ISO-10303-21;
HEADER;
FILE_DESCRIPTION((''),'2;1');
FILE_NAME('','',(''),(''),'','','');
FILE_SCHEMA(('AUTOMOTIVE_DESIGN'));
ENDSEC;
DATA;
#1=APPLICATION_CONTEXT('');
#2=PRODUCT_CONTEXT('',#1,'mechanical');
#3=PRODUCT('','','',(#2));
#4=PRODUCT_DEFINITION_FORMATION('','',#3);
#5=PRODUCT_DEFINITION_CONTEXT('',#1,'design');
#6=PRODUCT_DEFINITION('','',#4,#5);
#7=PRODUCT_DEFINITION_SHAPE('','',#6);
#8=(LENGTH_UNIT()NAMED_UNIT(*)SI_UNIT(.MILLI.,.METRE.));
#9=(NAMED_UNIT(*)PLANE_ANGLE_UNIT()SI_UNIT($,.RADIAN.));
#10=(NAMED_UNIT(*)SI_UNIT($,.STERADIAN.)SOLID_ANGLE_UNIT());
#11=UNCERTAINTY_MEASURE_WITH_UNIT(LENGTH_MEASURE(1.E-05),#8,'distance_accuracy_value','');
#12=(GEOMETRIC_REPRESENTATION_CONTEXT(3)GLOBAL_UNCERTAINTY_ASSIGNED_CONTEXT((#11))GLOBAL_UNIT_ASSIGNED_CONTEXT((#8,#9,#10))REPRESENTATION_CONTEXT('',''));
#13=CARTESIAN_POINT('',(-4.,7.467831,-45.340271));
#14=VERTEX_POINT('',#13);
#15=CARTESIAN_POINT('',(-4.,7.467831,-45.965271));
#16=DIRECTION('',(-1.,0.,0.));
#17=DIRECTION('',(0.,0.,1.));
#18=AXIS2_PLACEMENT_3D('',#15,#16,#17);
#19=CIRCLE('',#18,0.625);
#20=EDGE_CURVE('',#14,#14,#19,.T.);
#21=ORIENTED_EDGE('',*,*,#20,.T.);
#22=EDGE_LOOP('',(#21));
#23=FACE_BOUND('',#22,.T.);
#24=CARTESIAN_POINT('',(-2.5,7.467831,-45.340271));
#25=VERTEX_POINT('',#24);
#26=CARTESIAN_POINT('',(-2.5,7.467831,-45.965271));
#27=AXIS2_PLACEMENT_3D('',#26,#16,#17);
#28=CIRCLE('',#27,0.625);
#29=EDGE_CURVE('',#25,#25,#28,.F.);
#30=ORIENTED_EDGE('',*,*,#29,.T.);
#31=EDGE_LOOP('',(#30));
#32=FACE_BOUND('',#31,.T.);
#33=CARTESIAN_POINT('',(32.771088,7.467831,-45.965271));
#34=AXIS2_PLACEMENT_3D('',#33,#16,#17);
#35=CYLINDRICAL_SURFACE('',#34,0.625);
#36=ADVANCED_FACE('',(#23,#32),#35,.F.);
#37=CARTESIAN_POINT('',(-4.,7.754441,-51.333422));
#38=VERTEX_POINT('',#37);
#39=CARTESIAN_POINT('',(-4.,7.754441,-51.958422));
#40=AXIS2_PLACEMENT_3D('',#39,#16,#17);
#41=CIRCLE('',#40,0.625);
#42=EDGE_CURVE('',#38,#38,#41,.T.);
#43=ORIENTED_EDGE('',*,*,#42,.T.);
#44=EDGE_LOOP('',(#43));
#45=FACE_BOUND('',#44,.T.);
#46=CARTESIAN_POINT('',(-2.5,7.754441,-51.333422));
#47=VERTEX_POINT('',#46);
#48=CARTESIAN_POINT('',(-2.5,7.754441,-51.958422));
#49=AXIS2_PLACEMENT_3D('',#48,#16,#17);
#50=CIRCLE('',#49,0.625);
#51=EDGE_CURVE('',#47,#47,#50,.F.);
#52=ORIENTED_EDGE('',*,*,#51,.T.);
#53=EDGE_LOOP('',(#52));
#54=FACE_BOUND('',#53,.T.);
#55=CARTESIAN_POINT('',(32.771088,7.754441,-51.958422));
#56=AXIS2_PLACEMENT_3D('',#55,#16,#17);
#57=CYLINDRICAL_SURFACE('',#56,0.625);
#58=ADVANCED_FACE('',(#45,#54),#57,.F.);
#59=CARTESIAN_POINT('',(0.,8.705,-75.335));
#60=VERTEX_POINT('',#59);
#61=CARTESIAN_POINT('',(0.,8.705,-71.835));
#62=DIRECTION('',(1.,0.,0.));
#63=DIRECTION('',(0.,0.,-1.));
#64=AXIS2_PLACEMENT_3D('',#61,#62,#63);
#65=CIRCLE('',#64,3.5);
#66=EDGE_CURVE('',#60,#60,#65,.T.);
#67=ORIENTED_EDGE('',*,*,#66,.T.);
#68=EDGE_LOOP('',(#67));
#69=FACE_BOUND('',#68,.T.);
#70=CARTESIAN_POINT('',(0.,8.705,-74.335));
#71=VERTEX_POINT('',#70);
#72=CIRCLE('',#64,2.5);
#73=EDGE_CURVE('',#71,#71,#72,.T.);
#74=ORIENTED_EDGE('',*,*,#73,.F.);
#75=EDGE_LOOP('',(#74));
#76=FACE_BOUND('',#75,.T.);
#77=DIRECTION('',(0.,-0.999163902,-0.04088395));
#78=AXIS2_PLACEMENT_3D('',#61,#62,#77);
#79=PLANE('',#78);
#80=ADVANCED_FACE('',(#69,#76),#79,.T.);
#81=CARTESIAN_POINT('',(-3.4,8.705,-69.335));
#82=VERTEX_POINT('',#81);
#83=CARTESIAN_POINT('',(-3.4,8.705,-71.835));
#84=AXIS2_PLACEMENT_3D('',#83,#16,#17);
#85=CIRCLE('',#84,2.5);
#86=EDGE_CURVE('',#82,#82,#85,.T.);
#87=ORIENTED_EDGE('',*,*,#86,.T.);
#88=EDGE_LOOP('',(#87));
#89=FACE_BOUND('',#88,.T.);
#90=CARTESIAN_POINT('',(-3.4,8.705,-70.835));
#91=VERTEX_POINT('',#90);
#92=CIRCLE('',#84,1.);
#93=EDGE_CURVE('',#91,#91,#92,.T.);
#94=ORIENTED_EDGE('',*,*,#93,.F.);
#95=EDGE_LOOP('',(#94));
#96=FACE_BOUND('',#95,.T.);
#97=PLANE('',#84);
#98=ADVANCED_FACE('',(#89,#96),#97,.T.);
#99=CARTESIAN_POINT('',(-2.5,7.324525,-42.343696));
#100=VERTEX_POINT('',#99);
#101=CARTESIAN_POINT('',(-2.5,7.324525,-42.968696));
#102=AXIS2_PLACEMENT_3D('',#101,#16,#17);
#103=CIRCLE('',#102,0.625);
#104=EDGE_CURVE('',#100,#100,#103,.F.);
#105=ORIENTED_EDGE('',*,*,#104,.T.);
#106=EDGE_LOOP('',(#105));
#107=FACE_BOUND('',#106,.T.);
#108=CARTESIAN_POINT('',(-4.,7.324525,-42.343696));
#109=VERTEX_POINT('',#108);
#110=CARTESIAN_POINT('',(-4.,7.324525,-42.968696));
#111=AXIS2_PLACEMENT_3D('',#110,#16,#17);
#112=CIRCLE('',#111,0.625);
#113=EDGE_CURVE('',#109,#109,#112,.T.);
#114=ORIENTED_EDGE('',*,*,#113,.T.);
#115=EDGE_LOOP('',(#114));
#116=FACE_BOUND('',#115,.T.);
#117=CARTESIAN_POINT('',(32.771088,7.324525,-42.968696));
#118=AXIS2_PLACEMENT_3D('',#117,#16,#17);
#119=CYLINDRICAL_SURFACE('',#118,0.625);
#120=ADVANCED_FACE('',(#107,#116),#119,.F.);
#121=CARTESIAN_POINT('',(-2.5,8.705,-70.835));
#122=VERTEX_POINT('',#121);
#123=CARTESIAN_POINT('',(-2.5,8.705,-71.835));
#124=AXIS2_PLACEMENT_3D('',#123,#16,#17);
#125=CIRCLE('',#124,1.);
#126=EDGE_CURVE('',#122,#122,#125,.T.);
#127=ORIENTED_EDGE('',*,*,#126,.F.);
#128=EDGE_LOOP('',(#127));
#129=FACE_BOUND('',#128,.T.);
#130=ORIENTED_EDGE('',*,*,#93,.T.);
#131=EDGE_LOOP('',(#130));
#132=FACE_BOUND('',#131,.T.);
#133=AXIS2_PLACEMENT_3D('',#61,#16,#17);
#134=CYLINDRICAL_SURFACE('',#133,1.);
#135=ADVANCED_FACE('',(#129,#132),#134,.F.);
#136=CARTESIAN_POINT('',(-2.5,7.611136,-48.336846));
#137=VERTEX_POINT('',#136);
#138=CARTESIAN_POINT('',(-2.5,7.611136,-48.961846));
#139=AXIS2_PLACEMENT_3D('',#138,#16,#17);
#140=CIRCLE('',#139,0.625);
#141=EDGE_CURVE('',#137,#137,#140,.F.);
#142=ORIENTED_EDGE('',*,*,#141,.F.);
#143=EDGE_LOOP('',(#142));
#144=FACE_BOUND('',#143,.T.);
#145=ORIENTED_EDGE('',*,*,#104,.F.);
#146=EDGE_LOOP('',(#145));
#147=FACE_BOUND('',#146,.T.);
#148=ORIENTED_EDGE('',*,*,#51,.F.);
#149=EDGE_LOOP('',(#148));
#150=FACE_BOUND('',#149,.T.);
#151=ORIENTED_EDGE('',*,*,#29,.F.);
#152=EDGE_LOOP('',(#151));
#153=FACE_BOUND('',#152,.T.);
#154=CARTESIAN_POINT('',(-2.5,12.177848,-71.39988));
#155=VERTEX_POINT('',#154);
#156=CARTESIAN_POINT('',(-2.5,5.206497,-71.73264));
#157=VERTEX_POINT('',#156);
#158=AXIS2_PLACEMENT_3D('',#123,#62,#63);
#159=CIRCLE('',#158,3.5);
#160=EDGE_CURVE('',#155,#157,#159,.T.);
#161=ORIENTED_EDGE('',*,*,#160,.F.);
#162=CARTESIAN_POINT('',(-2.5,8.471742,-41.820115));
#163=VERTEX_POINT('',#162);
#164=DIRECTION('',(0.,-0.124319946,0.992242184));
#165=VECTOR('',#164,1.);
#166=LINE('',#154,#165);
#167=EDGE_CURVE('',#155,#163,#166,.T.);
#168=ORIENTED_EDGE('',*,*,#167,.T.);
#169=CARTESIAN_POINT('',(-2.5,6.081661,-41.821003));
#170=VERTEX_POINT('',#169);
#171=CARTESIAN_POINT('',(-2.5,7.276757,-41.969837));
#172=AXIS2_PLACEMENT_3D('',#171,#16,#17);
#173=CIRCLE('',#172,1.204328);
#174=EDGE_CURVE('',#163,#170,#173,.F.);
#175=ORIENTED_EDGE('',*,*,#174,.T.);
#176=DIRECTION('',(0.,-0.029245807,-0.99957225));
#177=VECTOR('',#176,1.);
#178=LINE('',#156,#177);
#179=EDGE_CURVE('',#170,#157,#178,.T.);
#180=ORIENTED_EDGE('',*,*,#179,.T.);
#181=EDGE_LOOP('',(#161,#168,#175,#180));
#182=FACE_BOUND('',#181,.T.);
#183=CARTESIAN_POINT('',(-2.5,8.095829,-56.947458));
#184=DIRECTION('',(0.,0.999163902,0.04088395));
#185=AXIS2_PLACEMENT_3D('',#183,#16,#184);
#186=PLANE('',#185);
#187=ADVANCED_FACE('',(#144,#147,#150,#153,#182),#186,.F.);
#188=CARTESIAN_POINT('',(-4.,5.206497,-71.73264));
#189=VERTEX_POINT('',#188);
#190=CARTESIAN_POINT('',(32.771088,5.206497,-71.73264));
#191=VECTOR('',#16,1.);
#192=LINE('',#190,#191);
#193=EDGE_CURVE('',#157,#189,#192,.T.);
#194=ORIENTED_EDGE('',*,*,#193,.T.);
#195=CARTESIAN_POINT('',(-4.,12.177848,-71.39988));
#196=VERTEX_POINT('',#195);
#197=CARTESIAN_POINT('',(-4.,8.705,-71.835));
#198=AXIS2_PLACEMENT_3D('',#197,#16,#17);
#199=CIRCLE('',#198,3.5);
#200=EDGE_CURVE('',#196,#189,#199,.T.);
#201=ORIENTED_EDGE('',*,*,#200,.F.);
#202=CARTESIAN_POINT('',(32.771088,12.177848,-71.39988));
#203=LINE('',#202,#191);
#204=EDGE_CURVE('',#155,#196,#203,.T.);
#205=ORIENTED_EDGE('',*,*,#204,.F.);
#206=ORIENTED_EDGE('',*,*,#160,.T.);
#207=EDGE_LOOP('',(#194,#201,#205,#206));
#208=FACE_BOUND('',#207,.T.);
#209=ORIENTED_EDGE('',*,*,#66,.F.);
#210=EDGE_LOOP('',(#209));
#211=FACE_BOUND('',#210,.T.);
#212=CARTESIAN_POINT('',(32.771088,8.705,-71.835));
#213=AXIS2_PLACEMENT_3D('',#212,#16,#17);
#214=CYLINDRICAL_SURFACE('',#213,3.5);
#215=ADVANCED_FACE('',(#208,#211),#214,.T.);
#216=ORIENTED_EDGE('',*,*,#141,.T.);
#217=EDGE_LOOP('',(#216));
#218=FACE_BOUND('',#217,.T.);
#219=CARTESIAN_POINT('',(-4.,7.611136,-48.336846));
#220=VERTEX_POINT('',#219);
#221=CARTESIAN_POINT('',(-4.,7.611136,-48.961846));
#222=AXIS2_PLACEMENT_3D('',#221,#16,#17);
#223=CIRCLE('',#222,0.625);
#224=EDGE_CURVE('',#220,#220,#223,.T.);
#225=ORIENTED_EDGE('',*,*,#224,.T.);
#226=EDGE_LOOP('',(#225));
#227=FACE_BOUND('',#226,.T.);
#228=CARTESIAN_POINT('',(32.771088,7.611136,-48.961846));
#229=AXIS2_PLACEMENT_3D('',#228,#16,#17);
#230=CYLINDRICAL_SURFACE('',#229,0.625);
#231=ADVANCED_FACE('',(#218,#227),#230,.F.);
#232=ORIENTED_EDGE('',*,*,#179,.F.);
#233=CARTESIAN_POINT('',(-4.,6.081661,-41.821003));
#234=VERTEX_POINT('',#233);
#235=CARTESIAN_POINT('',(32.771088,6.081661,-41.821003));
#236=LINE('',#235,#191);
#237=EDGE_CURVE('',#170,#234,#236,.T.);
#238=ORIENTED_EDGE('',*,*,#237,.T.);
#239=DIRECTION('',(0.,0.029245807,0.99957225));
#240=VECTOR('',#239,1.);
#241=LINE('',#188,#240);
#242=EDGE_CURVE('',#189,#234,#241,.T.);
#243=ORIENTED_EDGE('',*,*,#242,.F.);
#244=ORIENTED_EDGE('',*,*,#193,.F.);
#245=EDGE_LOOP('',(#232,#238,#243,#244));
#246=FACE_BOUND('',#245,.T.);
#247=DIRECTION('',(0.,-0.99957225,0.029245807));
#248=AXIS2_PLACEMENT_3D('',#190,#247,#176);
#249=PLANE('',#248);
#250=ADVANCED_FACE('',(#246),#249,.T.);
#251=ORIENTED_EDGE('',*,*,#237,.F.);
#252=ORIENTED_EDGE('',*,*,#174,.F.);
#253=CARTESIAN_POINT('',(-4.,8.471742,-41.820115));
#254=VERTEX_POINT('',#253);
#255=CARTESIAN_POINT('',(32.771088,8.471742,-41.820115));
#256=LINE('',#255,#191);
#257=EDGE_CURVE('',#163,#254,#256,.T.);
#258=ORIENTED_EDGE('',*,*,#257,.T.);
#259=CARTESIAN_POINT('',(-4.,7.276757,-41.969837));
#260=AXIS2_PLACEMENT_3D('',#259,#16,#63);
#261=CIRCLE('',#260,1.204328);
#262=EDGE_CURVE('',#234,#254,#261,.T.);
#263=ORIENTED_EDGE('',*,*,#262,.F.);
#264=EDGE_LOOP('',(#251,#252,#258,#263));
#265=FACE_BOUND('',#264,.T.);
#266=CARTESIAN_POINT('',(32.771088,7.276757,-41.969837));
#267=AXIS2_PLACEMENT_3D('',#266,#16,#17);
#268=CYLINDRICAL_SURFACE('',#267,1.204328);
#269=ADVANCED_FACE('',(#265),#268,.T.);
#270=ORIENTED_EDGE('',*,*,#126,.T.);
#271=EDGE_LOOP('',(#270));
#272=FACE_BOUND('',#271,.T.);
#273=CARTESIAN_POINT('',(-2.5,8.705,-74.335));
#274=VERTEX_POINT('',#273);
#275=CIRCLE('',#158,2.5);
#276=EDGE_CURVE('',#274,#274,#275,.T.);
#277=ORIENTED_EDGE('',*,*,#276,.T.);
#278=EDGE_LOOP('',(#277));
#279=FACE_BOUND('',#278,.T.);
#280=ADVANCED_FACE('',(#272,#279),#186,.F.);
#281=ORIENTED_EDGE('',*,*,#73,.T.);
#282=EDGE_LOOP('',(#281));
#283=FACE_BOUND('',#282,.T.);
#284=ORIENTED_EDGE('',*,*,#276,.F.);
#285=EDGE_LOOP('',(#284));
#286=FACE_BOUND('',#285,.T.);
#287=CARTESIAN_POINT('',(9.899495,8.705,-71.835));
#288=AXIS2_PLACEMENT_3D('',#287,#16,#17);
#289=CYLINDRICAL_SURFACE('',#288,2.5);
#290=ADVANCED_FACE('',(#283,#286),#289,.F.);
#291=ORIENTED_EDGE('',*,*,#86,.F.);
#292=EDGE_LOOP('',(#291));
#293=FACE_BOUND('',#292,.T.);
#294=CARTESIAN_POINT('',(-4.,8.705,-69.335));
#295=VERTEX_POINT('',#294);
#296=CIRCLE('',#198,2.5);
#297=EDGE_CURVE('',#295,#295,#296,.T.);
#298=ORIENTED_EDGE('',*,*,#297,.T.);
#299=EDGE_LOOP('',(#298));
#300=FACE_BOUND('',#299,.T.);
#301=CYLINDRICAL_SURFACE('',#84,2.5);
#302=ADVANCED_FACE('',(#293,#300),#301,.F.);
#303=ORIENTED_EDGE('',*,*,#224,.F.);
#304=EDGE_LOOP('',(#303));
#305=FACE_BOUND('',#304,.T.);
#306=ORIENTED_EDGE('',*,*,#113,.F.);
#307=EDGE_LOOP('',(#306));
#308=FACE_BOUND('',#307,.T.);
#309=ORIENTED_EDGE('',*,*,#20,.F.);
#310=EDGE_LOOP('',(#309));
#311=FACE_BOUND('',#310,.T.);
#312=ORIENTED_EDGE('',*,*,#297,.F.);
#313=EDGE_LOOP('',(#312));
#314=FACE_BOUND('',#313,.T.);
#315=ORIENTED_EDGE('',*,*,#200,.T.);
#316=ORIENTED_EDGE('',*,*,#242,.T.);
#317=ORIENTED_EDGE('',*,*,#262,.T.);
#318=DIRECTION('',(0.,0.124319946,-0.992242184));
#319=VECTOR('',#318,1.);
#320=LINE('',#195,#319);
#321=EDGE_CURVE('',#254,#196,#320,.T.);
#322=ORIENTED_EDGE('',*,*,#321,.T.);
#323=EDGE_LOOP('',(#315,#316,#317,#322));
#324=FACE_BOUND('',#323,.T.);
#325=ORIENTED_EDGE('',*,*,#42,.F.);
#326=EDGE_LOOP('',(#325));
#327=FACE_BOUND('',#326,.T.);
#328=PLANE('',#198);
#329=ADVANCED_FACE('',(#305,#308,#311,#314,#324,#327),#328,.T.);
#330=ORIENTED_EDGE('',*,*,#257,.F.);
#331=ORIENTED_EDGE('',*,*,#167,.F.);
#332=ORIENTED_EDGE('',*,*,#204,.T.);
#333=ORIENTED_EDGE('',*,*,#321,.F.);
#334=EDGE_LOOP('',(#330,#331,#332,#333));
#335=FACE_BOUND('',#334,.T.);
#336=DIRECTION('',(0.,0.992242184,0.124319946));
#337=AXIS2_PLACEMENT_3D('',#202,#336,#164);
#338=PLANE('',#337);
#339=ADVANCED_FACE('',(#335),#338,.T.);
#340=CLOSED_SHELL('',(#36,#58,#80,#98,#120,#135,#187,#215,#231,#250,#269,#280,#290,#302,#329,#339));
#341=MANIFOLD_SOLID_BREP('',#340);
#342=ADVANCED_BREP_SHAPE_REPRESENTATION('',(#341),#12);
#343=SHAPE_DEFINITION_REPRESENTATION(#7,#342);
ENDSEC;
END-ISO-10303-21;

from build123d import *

# Parameters (mm, degrees)
BASE_SKETCH_R            = 0.625
BASE_EXTRUDE_DEPTH       = 1.5
CIRCLE_SKETCH_R          = 3.5
CIRCLE_SKETCH_R_2        = 2.5
CIRCLE_EXTRUDE_DEPTH     = 2.5
SCREW_CIRCLE1_SKETCH_R   = 2.5
SCREW_CIRCLE_1_CUT_DEPTH = 0.6
SCREW_CIRCLE2_SKETCH_R   = 1
SCREW_CIRCLE_CUT_DEPTH   = 77.422014171


with BuildPart() as part:
    # Base Sketch → Base Extrude (new body)
    with BuildSketch(Plane.ZY.offset(4)):
        with BuildLine():
            Line((-71.399880191, 12.177847643), (-41.820115259, 8.471741587))
            ThreePointArc((-41.820115259, 8.471741587), (-40.765509681, 7.276309847), (-41.821002543, 6.081661451))
            Line((-41.821002543, 6.081661451), (-71.732639675, 5.206497125))
            ThreePointArc((-71.732639675, 5.206497125), (-75.331019627, 8.871873504), (-71.399880191, 12.177847643))
        make_face()
        with Locations((-45.965270944, 7.46783075)):
            Circle(BASE_SKETCH_R, mode=Mode.SUBTRACT)
        with Locations((-48.961846252, 7.611136109)):
            Circle(BASE_SKETCH_R, mode=Mode.SUBTRACT)
        with Locations((-51.958421559, 7.754441469)):
            Circle(BASE_SKETCH_R, mode=Mode.SUBTRACT)
        with Locations((-42.968695636, 7.32452539)):
            Circle(BASE_SKETCH_R, mode=Mode.SUBTRACT)
    extrude(amount=-BASE_EXTRUDE_DEPTH)

    # Circle Sketch → Circle Extrude (add)
    with BuildSketch(Plane(origin=(-2.5, 0, 0), x_dir=(0, 0, -1), z_dir=(1, 0, 0))):
        with Locations(Location((71.835, 8.705, 0), (0, 0, 97.141485201))):
            Circle(CIRCLE_SKETCH_R)
        with Locations((71.835, 8.705)):
            Circle(CIRCLE_SKETCH_R_2, mode=Mode.SUBTRACT)
    extrude(amount=CIRCLE_EXTRUDE_DEPTH)

    # Screw Circle1 Sketch → Screw Circle 1 Cut (cut)
    with BuildSketch(Plane.ZY.offset(4)):
        with Locations(Location((-71.835, 8.705, 0), (0, 0, 180))):
            Circle(SCREW_CIRCLE1_SKETCH_R)
    extrude(amount=-SCREW_CIRCLE_1_CUT_DEPTH, mode=Mode.SUBTRACT)

    # Screw Circle2 Sketch → Screw Circle Cut (cut, through all)
    with BuildSketch(Plane.ZY.offset(4)):
        with Locations((-71.835, 8.705)):
            Circle(SCREW_CIRCLE2_SKETCH_R)
    extrude(amount=-SCREW_CIRCLE_CUT_DEPTH, mode=Mode.SUBTRACT)


solid = part.part
